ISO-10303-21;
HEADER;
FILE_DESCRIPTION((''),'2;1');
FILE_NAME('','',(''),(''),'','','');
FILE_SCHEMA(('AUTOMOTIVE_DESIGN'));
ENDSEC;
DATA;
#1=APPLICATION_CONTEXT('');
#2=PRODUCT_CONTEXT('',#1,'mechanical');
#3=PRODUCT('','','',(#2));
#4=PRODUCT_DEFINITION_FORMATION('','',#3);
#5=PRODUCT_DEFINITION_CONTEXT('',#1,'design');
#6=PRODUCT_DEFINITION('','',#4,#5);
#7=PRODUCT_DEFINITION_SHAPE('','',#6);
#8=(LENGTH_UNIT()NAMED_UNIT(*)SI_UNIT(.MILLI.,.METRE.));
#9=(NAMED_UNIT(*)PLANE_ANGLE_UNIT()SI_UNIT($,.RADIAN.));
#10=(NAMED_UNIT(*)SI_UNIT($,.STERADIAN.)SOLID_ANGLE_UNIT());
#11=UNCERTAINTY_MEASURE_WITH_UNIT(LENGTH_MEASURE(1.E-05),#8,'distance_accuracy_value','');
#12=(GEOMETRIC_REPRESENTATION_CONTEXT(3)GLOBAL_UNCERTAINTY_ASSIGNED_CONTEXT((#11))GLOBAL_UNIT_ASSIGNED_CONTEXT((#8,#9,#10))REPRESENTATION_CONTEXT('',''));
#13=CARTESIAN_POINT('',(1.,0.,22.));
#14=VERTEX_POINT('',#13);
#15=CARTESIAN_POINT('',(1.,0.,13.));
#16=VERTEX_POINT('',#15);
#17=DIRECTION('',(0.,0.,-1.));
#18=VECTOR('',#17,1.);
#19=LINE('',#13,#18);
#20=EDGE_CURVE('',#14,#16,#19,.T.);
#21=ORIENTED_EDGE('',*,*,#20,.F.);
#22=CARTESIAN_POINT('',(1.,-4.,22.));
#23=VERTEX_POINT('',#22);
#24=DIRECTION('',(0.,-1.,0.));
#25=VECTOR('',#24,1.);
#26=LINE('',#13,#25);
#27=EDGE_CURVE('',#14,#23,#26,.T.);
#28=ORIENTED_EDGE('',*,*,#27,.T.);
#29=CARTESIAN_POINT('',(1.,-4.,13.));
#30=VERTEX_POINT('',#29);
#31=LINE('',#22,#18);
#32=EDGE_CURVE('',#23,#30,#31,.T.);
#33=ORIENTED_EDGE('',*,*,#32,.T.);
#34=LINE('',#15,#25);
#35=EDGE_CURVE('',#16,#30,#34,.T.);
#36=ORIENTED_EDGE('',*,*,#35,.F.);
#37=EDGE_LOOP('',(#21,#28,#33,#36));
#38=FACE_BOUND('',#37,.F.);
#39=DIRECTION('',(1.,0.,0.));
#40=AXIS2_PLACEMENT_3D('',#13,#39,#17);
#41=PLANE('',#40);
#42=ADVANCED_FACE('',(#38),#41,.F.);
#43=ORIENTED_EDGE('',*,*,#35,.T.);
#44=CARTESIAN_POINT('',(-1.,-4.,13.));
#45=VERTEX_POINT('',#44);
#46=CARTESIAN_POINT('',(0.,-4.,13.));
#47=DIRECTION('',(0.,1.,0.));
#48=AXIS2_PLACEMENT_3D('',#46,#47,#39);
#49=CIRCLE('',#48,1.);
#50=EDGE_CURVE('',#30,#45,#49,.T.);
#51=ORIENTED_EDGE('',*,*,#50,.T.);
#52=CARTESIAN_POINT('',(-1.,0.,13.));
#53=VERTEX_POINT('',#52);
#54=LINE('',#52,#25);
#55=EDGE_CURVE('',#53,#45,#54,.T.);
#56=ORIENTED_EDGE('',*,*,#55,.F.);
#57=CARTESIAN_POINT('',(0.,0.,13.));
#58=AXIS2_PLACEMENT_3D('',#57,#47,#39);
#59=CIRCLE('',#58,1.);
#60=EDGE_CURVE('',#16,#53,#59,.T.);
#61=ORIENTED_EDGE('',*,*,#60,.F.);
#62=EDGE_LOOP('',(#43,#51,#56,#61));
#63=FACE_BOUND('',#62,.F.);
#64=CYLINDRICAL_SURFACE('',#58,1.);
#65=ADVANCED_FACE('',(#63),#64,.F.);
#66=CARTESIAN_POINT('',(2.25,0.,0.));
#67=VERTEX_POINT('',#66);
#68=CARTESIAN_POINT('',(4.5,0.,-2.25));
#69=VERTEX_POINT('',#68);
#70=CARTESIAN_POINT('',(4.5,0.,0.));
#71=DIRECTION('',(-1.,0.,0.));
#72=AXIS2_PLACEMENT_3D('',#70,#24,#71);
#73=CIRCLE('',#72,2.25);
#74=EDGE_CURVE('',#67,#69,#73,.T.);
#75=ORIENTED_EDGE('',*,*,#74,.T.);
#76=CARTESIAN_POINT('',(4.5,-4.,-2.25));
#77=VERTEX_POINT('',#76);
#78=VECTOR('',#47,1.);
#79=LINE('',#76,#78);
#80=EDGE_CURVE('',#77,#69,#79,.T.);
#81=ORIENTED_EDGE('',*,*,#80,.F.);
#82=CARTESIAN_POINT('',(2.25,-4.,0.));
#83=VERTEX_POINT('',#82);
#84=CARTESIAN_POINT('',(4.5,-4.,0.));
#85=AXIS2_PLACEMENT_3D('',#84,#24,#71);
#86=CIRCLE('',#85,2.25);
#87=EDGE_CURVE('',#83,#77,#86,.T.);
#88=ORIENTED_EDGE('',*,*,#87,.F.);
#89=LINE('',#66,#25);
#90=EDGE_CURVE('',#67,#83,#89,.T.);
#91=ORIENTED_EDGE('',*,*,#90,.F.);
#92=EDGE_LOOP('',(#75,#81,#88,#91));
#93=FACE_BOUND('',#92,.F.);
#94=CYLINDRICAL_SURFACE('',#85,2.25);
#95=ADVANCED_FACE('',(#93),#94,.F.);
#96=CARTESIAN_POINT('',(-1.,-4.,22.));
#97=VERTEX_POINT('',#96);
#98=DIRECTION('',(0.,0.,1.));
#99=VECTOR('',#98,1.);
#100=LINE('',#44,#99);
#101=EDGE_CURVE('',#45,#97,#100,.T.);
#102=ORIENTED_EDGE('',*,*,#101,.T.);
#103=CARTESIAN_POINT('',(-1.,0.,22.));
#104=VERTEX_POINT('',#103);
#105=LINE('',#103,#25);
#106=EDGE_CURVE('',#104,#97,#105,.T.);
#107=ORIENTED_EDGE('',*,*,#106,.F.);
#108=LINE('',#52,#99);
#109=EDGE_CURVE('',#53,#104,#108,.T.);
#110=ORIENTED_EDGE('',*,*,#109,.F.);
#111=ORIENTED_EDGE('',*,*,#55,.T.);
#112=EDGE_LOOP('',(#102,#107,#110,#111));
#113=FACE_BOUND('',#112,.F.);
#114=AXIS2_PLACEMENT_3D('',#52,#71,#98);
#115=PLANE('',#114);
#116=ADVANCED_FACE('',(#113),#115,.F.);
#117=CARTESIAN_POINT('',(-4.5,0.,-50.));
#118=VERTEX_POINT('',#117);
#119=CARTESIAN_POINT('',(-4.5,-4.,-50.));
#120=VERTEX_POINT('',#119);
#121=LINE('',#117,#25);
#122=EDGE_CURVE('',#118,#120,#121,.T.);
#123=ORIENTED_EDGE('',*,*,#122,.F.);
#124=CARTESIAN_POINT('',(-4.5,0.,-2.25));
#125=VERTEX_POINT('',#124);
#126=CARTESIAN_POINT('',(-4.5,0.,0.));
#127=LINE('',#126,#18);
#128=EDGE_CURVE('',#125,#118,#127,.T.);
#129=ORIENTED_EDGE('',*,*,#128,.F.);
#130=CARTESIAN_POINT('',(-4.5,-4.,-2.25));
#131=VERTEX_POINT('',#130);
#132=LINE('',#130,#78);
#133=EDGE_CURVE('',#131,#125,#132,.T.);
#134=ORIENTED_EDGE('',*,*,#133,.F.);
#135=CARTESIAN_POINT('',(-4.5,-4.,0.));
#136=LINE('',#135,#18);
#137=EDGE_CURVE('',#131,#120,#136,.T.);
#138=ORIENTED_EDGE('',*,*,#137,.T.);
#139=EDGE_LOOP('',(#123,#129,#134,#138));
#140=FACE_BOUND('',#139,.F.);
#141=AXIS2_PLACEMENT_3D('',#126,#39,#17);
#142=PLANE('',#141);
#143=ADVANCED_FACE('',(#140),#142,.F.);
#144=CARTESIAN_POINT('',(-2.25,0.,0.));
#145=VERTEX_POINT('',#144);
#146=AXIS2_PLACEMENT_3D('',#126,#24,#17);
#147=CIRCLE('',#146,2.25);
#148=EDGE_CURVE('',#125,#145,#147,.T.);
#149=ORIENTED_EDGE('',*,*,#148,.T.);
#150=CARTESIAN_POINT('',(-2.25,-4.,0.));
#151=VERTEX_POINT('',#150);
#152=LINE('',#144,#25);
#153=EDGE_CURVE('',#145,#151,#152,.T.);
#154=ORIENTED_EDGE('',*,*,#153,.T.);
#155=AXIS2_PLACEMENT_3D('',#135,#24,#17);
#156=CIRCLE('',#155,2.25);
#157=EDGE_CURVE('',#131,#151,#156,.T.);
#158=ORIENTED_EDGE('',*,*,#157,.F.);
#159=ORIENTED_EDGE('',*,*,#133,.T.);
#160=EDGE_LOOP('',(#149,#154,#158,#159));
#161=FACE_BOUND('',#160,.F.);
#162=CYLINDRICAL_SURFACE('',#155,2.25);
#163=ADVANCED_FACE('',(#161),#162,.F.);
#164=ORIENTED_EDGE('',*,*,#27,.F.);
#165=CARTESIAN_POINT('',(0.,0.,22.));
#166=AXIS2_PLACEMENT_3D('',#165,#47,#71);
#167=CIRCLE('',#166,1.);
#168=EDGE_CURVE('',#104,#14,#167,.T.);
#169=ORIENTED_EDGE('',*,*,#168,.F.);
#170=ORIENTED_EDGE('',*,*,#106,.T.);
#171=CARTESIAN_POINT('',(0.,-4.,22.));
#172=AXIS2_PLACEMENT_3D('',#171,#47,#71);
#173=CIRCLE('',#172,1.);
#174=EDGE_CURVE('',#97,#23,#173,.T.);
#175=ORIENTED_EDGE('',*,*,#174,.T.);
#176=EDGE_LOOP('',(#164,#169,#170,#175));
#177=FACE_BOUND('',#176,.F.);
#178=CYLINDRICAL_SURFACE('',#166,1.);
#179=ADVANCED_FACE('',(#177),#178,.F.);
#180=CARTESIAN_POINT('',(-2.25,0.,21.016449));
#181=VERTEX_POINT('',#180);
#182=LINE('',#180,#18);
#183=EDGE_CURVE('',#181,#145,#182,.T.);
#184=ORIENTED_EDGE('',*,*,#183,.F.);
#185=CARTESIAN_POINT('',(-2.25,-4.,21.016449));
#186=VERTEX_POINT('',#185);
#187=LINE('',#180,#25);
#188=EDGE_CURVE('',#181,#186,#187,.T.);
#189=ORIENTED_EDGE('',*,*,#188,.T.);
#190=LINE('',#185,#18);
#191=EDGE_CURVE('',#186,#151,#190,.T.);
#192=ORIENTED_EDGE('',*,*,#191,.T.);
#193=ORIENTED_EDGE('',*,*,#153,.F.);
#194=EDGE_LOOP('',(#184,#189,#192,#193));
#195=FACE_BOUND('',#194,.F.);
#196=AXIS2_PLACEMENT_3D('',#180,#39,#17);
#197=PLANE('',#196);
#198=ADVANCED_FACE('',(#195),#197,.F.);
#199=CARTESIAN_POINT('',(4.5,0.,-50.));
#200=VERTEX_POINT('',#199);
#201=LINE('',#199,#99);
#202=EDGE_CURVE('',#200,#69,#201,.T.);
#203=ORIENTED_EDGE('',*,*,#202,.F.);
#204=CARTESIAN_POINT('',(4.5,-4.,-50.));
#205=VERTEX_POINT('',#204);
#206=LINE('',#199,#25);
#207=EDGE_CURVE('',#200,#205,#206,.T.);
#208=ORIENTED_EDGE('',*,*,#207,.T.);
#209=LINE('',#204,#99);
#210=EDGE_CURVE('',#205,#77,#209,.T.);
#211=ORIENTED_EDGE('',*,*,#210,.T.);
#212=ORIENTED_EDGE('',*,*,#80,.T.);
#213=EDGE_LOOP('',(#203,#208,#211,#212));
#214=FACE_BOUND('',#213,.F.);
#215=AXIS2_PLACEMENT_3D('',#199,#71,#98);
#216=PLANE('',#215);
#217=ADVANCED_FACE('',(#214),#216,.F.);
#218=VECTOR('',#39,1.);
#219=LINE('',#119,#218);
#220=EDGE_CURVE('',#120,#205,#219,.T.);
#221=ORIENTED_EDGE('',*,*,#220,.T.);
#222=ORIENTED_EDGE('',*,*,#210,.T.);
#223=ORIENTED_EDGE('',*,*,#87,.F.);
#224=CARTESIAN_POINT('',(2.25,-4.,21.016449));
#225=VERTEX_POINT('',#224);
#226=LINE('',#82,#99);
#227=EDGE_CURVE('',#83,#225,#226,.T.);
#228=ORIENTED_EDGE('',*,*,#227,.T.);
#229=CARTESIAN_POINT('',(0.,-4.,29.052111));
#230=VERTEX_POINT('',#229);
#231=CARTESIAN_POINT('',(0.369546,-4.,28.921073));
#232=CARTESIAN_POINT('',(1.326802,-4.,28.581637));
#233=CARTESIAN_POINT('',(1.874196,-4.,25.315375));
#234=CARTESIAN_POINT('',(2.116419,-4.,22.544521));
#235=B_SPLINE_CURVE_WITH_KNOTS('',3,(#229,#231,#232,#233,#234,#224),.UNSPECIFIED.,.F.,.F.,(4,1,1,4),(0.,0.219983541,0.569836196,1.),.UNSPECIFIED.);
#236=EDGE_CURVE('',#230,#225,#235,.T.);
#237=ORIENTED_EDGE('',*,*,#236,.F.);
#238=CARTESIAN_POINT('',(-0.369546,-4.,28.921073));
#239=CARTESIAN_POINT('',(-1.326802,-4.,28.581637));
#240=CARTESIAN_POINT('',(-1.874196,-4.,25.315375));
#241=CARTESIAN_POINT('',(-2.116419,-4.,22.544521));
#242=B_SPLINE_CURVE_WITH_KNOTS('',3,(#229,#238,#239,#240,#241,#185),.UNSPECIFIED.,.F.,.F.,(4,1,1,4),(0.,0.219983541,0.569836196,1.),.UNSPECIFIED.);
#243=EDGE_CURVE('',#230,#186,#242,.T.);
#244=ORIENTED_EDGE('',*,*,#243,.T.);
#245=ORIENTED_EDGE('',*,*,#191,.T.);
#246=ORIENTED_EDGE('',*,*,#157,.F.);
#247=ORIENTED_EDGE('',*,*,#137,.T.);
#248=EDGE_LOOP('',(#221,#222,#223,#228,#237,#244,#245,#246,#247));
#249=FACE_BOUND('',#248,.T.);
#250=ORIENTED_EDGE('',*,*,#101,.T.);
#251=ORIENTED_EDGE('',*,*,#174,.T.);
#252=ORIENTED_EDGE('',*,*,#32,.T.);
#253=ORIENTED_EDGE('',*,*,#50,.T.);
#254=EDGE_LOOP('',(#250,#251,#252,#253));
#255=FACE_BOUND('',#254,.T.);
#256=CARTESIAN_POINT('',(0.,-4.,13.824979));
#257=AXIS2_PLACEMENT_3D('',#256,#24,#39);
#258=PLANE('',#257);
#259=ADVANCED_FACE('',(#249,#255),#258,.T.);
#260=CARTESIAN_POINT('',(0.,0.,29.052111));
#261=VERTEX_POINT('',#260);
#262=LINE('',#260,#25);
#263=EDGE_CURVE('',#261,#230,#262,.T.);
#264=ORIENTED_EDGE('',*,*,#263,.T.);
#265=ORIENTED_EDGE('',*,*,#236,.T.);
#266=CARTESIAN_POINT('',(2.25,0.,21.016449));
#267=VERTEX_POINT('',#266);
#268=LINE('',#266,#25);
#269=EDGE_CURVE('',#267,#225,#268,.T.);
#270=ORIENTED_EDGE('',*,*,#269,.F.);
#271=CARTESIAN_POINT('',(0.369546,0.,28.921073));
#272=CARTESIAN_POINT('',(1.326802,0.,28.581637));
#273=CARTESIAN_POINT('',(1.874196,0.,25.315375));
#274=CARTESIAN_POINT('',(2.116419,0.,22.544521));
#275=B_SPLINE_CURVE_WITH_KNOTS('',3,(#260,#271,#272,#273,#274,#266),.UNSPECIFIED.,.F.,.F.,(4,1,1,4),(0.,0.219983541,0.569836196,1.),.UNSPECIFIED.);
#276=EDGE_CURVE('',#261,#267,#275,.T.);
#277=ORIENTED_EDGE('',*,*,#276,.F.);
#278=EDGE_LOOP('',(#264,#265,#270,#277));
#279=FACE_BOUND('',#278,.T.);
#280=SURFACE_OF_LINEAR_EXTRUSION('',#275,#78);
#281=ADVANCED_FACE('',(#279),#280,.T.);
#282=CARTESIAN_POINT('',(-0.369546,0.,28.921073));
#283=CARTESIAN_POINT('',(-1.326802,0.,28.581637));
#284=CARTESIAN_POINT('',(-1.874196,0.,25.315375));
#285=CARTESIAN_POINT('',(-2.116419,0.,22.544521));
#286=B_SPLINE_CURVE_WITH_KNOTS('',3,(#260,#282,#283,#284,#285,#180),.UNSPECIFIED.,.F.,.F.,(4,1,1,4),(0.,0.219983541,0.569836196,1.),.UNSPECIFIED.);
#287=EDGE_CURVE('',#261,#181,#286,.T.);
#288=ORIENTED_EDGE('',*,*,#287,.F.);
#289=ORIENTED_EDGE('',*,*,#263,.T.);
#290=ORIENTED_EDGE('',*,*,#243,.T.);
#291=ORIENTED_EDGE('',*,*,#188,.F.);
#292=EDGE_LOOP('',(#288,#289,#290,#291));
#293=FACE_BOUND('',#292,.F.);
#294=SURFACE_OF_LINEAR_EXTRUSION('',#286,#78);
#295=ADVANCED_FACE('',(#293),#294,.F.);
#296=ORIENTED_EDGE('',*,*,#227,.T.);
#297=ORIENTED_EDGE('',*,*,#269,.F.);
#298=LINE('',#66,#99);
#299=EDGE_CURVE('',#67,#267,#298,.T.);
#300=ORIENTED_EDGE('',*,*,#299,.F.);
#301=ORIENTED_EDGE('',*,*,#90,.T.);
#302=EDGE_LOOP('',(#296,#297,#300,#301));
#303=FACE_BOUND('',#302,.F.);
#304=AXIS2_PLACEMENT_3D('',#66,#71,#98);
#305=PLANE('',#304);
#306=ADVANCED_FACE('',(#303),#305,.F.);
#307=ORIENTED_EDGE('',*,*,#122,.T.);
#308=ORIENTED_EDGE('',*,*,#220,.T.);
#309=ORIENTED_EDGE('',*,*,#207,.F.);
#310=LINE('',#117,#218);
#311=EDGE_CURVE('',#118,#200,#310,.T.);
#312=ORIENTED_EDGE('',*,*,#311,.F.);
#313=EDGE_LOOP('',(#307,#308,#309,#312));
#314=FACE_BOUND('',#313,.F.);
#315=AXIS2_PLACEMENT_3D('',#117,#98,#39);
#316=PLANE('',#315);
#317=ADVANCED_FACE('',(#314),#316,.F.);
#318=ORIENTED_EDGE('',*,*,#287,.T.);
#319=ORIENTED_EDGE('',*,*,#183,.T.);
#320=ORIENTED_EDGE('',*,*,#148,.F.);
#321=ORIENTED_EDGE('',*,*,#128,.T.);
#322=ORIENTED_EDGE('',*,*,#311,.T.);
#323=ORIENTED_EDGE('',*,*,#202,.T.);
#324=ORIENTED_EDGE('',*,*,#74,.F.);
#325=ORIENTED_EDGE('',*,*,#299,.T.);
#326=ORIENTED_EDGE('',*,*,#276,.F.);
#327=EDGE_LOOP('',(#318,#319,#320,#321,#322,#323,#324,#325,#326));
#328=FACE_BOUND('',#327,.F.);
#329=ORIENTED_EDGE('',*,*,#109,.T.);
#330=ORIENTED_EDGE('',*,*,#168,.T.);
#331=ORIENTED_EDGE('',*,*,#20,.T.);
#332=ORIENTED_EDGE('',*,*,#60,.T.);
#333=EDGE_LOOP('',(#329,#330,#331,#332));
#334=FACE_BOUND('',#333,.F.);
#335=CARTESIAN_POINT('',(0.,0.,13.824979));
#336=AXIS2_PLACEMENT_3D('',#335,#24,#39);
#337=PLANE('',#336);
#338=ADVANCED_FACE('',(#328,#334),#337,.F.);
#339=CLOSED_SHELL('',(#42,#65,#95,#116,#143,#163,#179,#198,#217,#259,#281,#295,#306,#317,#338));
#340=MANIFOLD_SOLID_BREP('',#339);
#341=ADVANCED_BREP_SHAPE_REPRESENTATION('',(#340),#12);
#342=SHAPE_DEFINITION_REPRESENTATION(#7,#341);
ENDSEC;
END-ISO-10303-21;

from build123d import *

# Parameters (mm, degrees)
F1_DEPTH = 4
F3_DEPTH = 4.0010001


with BuildPart() as f1:
    # F0 (on Front) → F1 (new body)
    with BuildSketch(Plane.XZ):
        with BuildLine():
            Line((-2.25, 21.0164487362), (-2.25, 0))
            Line((-2.25, 0), (2.25, 0))
            Line((2.25, 0), (2.25, 21.0164487362))
            add(Edge.make_bspline(
                [(0, 29.0521112765), (0.3695458095, 28.9210731345), (1.3268018727, 28.5816373926), (1.8741963924, 25.3153750937), (2.1164189838, 22.5445206862), (2.25, 21.0164487362)],
                knots=[0, 0, 0, 0, 0.219983541, 0.5698361963, 1, 1, 1, 1], degree=3))
            add(Edge.make_bspline(
                [(0, 29.0521112765), (-0.3695458095, 28.9210731345), (-1.3268018727, 28.5816373926), (-1.8741963924, 25.3153750937), (-2.1164189838, 22.5445206862), (-2.25, 21.0164487362)],
                knots=[0, 0, 0, 0, 0.219983541, 0.5698361963, 1, 1, 1, 1], degree=3))
        make_face()
        with BuildLine():
            Line((-1, 13), (-1, 22))
            ThreePointArc((-1, 22), (0, 23), (1, 22))
            Line((1, 22), (1, 13))
            ThreePointArc((1, 13), (0, 12), (-1, 13))
        make_face(mode=Mode.SUBTRACT)
        Polygon((-2.25, 0), (-4.5, 0), (-4.5, -50), (4.5, -50), (4.5, 0), (2.25, 0), align=None)
    extrude(amount=F1_DEPTH)

    # F2 (on face) → F3 (cut, through all)
    with BuildSketch(Plane.XZ.offset(4)):
        with BuildLine():
            Line((4.5, 0), (2.25, 0))
            ThreePointArc((2.25, 0), (2.9090097423, -1.5909902577), (4.5, -2.25))
            Line((4.5, -2.25), (4.5, 0))
        make_face()
        with BuildLine():
            Line((-4.5, 0), (-4.5, -2.25))
            ThreePointArc((-4.5, -2.25), (-2.9090097423, -1.5909902577), (-2.25, 0))
            Line((-2.25, 0), (-4.5, 0))
        make_face()
    extrude(amount=-F3_DEPTH, mode=Mode.SUBTRACT)


solid = f1.part
